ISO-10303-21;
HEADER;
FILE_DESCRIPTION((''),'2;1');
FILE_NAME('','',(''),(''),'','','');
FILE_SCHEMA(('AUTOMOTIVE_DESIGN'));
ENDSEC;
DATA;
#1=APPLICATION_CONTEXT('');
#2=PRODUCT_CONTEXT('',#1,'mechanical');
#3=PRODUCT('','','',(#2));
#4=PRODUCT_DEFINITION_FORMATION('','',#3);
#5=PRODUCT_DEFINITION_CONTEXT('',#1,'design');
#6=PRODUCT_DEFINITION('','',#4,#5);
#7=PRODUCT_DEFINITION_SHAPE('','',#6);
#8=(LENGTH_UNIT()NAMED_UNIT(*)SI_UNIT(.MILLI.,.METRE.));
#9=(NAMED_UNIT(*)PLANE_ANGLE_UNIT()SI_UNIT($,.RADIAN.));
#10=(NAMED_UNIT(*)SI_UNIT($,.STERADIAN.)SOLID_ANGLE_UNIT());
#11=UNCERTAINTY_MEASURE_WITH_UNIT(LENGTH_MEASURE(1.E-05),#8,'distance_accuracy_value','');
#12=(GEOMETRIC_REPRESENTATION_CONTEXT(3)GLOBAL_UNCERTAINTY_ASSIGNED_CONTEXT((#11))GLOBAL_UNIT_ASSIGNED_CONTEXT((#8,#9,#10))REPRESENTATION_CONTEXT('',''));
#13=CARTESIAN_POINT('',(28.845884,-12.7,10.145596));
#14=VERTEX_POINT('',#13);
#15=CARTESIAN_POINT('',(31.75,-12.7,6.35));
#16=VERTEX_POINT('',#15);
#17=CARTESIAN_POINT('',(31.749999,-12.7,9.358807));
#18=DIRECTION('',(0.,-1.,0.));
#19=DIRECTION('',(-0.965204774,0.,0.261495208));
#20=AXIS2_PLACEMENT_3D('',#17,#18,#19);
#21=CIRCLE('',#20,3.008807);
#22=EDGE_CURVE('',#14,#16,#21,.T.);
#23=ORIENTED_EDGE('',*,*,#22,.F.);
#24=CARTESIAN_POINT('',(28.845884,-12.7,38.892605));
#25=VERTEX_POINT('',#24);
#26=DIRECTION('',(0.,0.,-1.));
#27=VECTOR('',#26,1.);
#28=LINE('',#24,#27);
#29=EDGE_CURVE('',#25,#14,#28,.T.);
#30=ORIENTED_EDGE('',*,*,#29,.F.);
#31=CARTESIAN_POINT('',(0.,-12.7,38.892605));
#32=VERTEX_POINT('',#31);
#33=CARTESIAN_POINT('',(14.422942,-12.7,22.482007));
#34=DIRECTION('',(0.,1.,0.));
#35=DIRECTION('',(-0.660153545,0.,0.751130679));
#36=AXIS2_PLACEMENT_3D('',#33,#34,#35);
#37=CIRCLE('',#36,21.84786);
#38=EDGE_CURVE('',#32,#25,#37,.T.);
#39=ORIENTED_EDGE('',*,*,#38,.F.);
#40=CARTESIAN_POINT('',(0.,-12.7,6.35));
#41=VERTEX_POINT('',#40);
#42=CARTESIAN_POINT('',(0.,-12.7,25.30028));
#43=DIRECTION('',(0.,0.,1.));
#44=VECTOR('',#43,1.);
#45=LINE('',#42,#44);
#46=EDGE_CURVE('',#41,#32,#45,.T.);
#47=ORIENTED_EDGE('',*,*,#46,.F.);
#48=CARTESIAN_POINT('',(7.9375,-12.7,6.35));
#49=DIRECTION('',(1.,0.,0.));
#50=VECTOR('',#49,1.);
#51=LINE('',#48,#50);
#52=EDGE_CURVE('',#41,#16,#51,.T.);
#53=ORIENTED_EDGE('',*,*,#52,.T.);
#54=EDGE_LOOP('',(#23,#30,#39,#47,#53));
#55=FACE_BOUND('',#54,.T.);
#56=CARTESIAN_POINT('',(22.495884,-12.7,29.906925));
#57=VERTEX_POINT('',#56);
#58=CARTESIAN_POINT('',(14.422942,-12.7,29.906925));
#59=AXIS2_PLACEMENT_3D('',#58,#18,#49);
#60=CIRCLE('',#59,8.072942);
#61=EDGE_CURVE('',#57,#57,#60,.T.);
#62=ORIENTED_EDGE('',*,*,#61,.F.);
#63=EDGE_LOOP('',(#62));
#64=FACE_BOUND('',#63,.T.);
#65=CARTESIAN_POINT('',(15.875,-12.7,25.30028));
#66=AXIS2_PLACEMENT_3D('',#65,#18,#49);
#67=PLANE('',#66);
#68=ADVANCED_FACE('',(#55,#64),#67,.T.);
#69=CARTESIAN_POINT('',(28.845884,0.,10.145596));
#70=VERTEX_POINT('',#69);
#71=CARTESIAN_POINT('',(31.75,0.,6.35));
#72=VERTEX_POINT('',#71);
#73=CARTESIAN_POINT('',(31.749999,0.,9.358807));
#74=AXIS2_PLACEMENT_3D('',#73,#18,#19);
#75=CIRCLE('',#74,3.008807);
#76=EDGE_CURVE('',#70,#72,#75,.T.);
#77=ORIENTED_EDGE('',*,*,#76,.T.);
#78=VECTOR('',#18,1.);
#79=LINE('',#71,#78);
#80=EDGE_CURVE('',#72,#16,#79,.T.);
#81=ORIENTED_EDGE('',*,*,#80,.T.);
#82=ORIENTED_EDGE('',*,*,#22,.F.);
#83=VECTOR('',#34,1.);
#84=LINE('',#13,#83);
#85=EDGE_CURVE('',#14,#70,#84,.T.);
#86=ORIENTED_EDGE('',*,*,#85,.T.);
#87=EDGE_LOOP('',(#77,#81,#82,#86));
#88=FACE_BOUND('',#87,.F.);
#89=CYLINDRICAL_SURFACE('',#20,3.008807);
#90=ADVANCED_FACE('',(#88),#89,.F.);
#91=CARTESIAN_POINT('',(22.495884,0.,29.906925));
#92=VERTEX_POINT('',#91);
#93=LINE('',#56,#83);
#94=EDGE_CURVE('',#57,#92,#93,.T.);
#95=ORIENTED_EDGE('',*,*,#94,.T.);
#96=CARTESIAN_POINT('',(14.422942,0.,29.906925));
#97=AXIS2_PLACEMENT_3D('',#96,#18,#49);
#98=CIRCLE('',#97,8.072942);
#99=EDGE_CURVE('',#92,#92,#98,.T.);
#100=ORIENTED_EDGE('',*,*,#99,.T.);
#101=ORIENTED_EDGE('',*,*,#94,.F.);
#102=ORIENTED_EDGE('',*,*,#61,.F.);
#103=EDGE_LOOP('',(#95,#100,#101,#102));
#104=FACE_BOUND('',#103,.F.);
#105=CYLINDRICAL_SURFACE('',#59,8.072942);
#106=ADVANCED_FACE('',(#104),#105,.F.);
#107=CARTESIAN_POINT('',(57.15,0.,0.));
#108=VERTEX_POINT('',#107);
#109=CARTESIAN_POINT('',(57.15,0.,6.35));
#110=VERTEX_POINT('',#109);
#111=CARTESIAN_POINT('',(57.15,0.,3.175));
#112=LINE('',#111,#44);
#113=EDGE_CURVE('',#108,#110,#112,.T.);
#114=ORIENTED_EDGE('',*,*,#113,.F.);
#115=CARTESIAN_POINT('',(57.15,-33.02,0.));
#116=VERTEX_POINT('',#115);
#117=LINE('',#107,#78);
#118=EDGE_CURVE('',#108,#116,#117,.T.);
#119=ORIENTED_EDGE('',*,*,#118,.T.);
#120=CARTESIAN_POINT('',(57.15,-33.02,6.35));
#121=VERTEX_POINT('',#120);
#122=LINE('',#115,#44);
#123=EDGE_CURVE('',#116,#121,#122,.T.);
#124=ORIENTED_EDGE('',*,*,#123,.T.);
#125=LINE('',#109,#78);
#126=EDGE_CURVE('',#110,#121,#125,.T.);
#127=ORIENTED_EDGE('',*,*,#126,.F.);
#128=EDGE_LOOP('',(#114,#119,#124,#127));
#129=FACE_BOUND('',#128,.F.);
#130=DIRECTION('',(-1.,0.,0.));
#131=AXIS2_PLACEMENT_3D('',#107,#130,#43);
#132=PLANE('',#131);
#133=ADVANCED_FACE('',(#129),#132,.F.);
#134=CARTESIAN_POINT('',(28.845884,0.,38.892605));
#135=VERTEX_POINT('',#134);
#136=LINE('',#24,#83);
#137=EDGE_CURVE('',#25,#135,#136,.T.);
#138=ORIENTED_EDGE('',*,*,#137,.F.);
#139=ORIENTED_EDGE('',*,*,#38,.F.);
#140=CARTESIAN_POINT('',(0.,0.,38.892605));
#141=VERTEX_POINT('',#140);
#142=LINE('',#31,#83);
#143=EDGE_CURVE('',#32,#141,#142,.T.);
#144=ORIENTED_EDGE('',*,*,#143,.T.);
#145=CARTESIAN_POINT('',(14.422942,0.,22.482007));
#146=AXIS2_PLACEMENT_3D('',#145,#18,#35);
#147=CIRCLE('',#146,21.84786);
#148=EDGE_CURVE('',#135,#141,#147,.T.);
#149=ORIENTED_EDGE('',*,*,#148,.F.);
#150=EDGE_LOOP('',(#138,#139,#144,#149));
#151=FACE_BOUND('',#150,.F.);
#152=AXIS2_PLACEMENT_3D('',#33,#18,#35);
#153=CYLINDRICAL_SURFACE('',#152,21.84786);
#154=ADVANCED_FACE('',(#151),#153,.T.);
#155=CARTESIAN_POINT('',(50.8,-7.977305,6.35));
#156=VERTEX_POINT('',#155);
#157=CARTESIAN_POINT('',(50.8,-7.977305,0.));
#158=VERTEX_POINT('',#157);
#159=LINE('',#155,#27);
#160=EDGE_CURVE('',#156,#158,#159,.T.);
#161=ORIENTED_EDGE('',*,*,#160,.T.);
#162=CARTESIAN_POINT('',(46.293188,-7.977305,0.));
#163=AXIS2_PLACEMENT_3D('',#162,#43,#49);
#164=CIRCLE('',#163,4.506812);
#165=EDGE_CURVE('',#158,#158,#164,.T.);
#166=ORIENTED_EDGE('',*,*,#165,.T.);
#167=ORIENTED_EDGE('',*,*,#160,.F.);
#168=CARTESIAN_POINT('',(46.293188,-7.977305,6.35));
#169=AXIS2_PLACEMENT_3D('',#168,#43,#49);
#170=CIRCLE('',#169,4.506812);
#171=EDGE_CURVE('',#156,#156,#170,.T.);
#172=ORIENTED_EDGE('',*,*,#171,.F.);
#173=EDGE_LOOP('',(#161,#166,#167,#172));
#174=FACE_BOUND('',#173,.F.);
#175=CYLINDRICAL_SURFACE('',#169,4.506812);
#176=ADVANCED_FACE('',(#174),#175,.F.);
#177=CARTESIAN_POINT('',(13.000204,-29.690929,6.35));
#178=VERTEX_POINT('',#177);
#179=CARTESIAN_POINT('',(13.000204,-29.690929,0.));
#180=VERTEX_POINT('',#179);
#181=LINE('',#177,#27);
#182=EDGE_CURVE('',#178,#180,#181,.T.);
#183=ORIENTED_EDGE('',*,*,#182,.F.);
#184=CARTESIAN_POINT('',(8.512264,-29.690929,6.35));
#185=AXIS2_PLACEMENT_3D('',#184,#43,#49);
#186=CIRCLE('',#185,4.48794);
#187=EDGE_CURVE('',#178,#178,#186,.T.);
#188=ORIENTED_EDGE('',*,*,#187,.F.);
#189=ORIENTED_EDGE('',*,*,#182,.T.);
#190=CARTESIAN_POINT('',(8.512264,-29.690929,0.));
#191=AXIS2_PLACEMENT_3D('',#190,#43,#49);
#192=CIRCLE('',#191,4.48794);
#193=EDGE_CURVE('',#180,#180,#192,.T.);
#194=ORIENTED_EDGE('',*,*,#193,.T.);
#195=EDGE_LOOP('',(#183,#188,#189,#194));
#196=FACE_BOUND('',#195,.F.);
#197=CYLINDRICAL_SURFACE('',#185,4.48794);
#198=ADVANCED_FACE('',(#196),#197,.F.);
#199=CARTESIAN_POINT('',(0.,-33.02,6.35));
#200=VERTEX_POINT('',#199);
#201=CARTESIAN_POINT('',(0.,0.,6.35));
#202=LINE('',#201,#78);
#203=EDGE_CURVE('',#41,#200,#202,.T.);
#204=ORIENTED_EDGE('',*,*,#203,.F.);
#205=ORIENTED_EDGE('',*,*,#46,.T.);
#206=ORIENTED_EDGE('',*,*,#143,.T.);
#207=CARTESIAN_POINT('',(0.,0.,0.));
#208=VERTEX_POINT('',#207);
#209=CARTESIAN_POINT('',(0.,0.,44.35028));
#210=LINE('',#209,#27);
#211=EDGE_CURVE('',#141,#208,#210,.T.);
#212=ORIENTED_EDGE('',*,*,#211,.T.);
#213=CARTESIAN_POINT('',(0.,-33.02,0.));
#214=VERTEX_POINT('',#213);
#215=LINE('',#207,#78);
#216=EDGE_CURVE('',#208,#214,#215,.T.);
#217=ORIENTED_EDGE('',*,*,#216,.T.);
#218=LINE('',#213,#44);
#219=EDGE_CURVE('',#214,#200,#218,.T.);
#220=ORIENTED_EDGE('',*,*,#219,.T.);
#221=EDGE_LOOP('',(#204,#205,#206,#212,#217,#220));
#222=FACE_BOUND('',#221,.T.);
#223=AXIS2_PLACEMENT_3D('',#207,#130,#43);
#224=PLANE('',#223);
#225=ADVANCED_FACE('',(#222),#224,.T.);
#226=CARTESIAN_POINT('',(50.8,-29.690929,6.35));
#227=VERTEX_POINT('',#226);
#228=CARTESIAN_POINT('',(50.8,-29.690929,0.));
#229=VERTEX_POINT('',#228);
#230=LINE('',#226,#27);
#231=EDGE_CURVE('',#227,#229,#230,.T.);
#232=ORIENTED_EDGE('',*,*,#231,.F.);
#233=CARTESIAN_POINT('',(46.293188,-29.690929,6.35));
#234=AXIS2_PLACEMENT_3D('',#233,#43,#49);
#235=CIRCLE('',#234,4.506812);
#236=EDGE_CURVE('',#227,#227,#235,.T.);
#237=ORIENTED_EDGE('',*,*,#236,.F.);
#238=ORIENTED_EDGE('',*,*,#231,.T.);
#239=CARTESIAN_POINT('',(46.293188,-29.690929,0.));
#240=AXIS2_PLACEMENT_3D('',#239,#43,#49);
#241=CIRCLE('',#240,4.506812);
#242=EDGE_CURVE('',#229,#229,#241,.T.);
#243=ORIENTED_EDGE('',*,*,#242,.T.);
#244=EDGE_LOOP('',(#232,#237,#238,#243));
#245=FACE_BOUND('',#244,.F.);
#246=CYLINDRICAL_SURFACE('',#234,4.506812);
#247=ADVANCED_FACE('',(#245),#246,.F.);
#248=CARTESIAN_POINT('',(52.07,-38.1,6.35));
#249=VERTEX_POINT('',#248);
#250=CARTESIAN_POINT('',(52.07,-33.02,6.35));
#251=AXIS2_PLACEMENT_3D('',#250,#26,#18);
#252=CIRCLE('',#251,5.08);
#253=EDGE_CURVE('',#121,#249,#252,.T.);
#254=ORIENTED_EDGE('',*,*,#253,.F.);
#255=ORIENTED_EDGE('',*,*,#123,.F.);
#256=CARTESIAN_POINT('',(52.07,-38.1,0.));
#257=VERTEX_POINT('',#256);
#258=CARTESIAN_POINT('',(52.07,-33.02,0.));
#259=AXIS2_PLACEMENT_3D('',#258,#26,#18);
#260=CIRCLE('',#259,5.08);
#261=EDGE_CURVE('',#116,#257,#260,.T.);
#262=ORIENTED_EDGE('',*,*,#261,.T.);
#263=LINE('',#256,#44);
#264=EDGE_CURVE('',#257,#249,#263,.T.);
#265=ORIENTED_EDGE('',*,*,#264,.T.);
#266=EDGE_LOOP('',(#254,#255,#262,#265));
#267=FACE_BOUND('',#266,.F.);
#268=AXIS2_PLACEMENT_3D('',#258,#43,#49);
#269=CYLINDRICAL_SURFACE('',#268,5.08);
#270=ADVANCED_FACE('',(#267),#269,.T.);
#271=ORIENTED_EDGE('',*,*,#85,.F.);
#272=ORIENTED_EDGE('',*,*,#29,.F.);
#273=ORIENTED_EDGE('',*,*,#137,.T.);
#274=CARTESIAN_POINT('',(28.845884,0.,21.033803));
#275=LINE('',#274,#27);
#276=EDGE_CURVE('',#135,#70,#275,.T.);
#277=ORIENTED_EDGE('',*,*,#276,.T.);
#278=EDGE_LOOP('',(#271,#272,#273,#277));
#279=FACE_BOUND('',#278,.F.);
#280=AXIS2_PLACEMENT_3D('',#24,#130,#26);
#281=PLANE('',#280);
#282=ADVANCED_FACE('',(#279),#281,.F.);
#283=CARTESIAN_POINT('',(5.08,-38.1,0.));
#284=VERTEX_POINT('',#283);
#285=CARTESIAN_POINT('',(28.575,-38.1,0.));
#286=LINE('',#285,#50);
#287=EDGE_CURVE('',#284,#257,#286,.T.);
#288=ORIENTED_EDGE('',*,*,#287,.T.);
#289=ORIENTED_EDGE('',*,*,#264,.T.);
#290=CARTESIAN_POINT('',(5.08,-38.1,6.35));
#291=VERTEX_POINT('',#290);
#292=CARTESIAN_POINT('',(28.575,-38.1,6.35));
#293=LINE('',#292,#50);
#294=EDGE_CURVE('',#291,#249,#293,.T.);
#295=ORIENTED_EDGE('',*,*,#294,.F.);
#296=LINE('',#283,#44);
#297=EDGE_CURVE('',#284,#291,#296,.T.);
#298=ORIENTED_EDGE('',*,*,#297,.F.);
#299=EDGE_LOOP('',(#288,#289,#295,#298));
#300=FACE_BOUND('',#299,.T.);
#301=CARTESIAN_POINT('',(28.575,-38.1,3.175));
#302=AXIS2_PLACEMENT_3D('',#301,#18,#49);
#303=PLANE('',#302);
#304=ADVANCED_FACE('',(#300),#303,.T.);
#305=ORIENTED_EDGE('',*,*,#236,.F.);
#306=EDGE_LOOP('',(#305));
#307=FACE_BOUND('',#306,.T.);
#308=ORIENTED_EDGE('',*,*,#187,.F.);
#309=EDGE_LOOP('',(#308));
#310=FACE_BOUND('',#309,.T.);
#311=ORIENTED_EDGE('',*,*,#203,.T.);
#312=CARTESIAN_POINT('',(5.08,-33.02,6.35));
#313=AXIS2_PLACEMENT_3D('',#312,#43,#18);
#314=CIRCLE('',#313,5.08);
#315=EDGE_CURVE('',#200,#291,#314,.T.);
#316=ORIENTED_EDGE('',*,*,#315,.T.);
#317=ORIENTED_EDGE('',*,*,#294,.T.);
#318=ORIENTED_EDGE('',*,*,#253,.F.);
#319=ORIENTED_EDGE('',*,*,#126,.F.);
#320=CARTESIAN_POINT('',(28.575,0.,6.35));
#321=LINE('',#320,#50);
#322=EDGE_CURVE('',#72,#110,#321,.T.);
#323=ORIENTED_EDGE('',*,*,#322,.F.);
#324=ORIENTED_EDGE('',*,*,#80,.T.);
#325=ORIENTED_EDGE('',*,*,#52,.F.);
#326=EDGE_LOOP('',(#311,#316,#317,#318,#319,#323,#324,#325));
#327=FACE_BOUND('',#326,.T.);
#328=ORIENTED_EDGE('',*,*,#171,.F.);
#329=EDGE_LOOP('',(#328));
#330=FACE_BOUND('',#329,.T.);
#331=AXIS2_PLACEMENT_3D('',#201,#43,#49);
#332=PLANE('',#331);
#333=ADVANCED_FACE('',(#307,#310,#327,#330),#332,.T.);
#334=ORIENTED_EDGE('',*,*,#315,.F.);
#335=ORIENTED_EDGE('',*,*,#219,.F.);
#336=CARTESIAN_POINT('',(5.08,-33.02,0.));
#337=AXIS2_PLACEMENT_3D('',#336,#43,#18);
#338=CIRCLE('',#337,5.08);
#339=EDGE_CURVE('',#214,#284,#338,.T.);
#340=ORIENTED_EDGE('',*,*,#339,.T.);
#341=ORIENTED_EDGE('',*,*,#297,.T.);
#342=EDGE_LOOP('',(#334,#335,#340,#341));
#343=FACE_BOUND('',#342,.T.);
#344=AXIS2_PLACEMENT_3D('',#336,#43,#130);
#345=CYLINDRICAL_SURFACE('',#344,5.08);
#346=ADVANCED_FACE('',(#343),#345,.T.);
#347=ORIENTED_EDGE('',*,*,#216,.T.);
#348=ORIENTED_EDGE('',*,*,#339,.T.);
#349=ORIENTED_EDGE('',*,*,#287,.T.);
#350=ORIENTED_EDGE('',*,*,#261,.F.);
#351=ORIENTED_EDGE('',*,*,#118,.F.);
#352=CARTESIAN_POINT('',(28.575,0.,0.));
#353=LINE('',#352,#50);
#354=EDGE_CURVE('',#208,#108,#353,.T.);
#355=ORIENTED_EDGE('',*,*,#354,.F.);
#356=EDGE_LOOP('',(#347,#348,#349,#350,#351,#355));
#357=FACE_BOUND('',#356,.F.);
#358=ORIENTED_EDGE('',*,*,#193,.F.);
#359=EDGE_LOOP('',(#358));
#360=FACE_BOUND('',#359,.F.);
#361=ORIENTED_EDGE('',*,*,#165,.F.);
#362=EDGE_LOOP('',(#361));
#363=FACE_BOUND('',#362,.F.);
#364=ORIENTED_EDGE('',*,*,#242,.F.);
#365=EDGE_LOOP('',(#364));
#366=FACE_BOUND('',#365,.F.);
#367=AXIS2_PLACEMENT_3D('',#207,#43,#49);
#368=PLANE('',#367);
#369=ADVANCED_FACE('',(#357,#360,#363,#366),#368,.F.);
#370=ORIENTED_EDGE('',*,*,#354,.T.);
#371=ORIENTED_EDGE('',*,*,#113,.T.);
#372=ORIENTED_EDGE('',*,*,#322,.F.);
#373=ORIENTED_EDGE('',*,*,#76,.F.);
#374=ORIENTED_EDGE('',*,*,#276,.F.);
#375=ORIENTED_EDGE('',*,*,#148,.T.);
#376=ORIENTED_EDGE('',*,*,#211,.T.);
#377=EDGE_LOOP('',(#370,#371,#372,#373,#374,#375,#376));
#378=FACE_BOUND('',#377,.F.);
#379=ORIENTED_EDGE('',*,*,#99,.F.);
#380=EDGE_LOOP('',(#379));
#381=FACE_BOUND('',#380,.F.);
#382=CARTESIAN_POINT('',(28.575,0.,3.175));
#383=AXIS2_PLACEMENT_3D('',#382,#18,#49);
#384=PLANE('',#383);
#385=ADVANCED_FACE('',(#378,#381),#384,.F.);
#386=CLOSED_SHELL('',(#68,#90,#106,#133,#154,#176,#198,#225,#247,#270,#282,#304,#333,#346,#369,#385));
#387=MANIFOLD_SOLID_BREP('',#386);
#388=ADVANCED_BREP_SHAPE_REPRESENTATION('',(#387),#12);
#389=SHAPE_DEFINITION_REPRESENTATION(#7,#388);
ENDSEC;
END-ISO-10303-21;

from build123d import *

# Parameters (mm, degrees)
F0_W      = 57.15
F0_H      = 6.35
F1_DEPTH  = 38.1
F2_R      = 5.08
F3_W      = 31.75
F3_H      = 38.1
F4_DEPTH  = 12.7
F6_DEPTH  = 25.4
F7_R      = 8.072942
F8_DEPTH  = 25.4
F9_R      = 4.506812
F9_R_2    = 4.48794
F10_DEPTH = 25.4


with BuildPart() as f1:
    # F0 (on Front) → F1 (new body)
    with BuildSketch(Plane.XZ):
        with Locations((28.575, 3.175)):
            Rectangle(F0_W, F0_H)
    extrude(amount=F1_DEPTH)

    # F2
    f2_edges = [f1.edges().sort_by_distance(p)[0] for p in [
        (0, -38.1, 3.175),
        (57.15, -38.1, 3.175),
    ]]
    fillet(f2_edges, radius=F2_R)

    # F3 (on Front) → F4 (join)
    with BuildSketch(Plane.XZ):
        with Locations((15.875, 25.30028)):
            Rectangle(F3_W, F3_H)
    extrude(amount=F4_DEPTH)

    # F5 (on face) → F6 (cut)
    with BuildSketch(Plane.XZ.offset(12.7)):
        with BuildLine():
            Line((28.845884, 38.892605), (28.845884, 10.145596))
            ThreePointArc((28.845884, 10.145596), (29.360416, 7.530471), (31.75, 6.35))
            Line((31.75, 6.35), (31.75, 44.35028))
            Line((31.75, 44.35028), (0, 44.35028))
            Line((0, 44.35028), (0, 38.892605))
            ThreePointArc((0, 38.892605), (14.422942, 44.329867), (28.845884, 38.892605))
        make_face()
    extrude(amount=-F6_DEPTH, mode=Mode.SUBTRACT)

    # F7 (on face) → F8 (cut)
    with BuildSketch(Plane.XZ.offset(12.7)):
        with Locations((14.422942, 29.906925)):
            Circle(F7_R)
    extrude(amount=-F8_DEPTH, mode=Mode.SUBTRACT)

    # F9 (on face) → F10 (cut)
    with BuildSketch(Plane.XY.offset(6.35)):
        with Locations((46.293188, -29.690929)):
            Circle(F9_R)
        with Locations((46.293188, -7.977305)):
            Circle(F9_R)
        with Locations((8.512264, -29.690929)):
            Circle(F9_R_2)
    extrude(amount=-F10_DEPTH, mode=Mode.SUBTRACT)


solid = f1.part
